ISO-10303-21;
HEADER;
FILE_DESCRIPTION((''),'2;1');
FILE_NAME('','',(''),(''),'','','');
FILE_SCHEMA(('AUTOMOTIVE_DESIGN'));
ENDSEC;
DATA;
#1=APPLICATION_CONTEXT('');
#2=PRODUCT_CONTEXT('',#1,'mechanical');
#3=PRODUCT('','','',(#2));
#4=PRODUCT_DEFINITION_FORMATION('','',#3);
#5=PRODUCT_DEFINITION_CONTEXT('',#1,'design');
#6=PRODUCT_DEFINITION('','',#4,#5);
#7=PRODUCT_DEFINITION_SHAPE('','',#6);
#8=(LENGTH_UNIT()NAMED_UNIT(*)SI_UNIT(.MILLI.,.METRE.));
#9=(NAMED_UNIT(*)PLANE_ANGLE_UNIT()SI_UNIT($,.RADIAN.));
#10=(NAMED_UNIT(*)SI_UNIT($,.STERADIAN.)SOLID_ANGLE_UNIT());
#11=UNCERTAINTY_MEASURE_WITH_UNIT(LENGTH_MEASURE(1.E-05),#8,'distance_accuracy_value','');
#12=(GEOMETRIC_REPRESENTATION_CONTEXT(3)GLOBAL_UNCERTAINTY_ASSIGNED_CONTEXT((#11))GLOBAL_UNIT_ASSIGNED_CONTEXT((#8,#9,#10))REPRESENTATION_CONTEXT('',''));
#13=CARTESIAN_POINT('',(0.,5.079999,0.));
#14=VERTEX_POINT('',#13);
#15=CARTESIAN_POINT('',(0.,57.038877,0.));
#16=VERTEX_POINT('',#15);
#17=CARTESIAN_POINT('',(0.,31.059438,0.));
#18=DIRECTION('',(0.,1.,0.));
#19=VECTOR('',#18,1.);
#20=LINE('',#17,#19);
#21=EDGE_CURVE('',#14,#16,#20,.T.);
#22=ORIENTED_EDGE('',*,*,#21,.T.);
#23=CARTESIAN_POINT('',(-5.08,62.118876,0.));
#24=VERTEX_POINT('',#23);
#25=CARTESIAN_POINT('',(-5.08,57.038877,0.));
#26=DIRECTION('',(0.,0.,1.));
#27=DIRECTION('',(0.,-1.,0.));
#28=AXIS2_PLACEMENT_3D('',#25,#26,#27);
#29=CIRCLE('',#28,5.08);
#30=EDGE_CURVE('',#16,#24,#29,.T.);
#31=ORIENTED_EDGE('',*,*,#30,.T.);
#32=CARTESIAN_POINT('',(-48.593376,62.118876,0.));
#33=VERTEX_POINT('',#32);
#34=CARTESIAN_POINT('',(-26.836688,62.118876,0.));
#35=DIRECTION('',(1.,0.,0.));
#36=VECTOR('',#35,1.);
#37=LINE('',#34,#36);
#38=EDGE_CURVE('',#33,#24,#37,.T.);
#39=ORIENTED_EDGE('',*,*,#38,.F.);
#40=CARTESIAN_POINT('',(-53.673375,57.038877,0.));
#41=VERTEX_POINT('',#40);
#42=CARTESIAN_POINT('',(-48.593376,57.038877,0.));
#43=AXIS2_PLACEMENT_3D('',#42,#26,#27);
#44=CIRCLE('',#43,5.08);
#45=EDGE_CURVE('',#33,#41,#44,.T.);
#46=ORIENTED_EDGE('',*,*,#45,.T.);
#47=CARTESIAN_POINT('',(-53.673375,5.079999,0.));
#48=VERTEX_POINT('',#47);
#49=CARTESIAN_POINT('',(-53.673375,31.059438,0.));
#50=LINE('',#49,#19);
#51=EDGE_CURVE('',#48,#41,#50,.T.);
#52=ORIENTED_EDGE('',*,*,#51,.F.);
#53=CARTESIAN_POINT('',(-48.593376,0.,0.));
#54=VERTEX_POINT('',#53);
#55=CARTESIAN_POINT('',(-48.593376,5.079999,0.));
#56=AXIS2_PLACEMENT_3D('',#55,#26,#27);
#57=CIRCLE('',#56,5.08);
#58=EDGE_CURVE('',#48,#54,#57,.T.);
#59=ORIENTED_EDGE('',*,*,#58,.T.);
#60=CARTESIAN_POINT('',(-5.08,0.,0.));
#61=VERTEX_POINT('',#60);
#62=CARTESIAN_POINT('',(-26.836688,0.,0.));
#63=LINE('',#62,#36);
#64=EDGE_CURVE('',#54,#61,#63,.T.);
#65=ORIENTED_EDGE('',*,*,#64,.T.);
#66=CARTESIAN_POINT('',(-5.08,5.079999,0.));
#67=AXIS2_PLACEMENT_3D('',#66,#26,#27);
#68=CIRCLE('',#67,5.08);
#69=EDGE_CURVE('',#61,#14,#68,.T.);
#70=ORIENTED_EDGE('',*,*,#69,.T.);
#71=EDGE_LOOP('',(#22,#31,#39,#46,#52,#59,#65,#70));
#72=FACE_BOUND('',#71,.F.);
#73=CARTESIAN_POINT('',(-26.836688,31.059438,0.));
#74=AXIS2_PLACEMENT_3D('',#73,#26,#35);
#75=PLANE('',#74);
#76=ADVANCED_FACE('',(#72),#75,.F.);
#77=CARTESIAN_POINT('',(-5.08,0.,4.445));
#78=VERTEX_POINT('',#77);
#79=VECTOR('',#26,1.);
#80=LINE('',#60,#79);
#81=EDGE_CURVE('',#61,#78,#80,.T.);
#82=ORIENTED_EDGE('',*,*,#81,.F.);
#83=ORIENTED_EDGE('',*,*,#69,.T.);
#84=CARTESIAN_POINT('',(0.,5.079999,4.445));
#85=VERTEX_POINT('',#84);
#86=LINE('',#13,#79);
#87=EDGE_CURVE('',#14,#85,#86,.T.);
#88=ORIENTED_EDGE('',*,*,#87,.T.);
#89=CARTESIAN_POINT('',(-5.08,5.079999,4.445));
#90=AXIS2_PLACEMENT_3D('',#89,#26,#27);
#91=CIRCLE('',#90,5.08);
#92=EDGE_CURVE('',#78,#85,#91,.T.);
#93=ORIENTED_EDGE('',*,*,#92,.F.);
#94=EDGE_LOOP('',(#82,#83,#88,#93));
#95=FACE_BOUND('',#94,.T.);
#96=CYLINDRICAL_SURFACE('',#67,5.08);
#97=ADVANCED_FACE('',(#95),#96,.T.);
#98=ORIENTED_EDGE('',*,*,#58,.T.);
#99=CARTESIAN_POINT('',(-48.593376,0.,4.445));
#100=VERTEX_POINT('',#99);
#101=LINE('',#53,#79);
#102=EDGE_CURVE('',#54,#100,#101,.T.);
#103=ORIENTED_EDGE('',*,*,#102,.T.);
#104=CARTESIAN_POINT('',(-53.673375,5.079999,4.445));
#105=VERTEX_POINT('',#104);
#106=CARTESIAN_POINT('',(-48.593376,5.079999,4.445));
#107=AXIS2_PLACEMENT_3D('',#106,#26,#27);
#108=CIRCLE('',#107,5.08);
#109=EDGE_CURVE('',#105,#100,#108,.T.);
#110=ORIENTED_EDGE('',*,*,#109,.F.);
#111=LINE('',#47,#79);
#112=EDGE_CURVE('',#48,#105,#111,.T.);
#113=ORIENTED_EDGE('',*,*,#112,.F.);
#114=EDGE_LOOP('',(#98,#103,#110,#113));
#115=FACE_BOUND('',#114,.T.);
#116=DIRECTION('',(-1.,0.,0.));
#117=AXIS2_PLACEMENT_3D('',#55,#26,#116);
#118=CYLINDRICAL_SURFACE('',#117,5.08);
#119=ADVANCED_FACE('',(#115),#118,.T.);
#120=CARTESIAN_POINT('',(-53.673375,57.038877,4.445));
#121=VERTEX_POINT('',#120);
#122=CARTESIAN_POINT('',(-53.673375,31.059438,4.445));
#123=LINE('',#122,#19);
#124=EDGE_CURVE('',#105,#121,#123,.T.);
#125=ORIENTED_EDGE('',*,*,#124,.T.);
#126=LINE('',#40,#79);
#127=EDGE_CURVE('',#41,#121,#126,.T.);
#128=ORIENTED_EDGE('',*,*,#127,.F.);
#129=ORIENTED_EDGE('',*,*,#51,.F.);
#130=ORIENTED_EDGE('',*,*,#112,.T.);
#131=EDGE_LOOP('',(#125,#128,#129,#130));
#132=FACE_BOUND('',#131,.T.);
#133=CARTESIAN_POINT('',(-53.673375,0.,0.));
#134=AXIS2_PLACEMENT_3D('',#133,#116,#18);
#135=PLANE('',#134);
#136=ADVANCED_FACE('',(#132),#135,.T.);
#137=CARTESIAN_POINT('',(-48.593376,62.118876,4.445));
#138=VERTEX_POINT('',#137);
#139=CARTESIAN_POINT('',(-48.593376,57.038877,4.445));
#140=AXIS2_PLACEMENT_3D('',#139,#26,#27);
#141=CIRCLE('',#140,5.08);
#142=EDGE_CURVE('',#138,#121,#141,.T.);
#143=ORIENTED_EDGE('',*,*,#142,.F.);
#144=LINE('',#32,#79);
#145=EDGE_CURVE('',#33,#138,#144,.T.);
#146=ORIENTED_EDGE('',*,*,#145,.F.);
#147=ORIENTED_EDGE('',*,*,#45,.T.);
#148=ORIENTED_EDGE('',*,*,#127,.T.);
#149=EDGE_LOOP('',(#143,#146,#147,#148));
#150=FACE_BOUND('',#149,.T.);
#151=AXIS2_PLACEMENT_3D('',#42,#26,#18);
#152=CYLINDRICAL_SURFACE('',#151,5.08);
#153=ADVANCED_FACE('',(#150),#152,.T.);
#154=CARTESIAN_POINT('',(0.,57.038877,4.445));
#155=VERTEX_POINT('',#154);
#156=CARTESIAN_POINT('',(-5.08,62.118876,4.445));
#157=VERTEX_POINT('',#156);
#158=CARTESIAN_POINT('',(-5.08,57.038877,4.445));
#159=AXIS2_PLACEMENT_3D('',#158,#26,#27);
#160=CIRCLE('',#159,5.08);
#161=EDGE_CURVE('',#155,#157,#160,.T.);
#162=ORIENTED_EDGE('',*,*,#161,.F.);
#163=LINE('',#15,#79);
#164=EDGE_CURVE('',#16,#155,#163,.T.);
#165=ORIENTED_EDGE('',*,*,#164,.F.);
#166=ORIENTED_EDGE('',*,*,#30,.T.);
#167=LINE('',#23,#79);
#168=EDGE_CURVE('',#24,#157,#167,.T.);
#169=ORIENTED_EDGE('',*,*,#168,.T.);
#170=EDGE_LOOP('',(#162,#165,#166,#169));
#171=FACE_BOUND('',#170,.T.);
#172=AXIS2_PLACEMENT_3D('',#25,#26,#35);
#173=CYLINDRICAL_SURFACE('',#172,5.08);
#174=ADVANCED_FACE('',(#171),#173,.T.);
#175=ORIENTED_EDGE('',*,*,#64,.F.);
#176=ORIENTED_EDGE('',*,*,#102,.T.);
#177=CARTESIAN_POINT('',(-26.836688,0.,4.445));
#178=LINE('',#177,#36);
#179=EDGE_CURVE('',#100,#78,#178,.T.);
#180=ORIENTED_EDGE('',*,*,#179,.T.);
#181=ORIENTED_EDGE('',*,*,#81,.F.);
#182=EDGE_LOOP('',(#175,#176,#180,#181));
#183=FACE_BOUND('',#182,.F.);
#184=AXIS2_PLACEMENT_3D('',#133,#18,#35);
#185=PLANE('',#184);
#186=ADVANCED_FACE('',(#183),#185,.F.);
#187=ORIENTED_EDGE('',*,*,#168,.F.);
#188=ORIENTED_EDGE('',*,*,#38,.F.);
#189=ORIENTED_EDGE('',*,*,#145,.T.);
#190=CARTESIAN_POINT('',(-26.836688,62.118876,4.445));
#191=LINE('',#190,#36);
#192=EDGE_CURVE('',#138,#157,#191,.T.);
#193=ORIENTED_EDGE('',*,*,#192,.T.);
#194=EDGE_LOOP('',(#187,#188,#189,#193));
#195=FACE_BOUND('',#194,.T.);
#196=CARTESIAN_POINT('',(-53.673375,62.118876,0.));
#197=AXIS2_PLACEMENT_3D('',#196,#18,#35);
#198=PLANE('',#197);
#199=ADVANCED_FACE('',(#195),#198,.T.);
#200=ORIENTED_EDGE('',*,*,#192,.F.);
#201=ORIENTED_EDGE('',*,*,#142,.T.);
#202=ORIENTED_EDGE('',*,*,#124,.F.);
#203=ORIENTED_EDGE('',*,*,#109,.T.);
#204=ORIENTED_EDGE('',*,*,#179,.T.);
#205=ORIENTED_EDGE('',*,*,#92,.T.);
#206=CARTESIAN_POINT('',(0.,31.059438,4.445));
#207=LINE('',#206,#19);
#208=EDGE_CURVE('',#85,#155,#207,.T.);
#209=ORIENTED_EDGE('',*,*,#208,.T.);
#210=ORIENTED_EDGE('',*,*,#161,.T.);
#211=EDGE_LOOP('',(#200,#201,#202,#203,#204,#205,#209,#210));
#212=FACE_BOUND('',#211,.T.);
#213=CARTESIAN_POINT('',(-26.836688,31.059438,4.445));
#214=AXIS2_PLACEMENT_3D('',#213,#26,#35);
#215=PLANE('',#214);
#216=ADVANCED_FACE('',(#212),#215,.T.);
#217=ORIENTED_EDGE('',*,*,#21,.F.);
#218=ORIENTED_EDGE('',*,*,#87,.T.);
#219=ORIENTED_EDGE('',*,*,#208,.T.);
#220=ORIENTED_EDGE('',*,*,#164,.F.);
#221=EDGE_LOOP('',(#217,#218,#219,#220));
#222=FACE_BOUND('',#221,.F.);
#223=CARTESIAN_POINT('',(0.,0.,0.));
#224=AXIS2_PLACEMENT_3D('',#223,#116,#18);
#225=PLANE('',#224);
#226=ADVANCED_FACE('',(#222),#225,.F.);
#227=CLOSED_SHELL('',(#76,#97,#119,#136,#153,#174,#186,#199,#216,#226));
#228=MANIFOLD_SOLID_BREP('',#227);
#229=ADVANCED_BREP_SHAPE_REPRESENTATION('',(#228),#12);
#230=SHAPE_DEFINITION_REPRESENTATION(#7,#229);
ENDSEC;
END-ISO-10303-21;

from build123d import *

# Parameters (mm, degrees)
F0_W     = 53.673375
F0_H     = 62.118877
F1_DEPTH = 4.445
F2_R     = 5.08
F3_R     = 5.08
F4_R     = 5.08
F5_R     = 5.08


with BuildPart() as f1:
    # F0 (on Top) → F1 (new body)
    with BuildSketch(Plane.XY):
        with Locations((-26.836688, 31.059438)):
            Rectangle(F0_W, F0_H)
    extrude(amount=F1_DEPTH)

    # F2
    f2_edges = [f1.edges().sort_by_distance(p)[0] for p in [
        (0, 62.118877, 2.2225),
    ]]
    fillet(f2_edges, radius=F2_R)

    # F3
    f3_edges = [f1.edges().sort_by_distance(p)[0] for p in [
        (-53.673375, 62.118877, 2.2225),
    ]]
    fillet(f3_edges, radius=F3_R)

    # F4
    f4_edges = [f1.edges().sort_by_distance(p)[0] for p in [
        (-53.673375, 0, 2.2225),
    ]]
    fillet(f4_edges, radius=F4_R)

    # F5
    f5_edges = [f1.edges().sort_by_distance(p)[0] for p in [
        (0, 0, 2.2225),
    ]]
    fillet(f5_edges, radius=F5_R)


solid = f1.part
